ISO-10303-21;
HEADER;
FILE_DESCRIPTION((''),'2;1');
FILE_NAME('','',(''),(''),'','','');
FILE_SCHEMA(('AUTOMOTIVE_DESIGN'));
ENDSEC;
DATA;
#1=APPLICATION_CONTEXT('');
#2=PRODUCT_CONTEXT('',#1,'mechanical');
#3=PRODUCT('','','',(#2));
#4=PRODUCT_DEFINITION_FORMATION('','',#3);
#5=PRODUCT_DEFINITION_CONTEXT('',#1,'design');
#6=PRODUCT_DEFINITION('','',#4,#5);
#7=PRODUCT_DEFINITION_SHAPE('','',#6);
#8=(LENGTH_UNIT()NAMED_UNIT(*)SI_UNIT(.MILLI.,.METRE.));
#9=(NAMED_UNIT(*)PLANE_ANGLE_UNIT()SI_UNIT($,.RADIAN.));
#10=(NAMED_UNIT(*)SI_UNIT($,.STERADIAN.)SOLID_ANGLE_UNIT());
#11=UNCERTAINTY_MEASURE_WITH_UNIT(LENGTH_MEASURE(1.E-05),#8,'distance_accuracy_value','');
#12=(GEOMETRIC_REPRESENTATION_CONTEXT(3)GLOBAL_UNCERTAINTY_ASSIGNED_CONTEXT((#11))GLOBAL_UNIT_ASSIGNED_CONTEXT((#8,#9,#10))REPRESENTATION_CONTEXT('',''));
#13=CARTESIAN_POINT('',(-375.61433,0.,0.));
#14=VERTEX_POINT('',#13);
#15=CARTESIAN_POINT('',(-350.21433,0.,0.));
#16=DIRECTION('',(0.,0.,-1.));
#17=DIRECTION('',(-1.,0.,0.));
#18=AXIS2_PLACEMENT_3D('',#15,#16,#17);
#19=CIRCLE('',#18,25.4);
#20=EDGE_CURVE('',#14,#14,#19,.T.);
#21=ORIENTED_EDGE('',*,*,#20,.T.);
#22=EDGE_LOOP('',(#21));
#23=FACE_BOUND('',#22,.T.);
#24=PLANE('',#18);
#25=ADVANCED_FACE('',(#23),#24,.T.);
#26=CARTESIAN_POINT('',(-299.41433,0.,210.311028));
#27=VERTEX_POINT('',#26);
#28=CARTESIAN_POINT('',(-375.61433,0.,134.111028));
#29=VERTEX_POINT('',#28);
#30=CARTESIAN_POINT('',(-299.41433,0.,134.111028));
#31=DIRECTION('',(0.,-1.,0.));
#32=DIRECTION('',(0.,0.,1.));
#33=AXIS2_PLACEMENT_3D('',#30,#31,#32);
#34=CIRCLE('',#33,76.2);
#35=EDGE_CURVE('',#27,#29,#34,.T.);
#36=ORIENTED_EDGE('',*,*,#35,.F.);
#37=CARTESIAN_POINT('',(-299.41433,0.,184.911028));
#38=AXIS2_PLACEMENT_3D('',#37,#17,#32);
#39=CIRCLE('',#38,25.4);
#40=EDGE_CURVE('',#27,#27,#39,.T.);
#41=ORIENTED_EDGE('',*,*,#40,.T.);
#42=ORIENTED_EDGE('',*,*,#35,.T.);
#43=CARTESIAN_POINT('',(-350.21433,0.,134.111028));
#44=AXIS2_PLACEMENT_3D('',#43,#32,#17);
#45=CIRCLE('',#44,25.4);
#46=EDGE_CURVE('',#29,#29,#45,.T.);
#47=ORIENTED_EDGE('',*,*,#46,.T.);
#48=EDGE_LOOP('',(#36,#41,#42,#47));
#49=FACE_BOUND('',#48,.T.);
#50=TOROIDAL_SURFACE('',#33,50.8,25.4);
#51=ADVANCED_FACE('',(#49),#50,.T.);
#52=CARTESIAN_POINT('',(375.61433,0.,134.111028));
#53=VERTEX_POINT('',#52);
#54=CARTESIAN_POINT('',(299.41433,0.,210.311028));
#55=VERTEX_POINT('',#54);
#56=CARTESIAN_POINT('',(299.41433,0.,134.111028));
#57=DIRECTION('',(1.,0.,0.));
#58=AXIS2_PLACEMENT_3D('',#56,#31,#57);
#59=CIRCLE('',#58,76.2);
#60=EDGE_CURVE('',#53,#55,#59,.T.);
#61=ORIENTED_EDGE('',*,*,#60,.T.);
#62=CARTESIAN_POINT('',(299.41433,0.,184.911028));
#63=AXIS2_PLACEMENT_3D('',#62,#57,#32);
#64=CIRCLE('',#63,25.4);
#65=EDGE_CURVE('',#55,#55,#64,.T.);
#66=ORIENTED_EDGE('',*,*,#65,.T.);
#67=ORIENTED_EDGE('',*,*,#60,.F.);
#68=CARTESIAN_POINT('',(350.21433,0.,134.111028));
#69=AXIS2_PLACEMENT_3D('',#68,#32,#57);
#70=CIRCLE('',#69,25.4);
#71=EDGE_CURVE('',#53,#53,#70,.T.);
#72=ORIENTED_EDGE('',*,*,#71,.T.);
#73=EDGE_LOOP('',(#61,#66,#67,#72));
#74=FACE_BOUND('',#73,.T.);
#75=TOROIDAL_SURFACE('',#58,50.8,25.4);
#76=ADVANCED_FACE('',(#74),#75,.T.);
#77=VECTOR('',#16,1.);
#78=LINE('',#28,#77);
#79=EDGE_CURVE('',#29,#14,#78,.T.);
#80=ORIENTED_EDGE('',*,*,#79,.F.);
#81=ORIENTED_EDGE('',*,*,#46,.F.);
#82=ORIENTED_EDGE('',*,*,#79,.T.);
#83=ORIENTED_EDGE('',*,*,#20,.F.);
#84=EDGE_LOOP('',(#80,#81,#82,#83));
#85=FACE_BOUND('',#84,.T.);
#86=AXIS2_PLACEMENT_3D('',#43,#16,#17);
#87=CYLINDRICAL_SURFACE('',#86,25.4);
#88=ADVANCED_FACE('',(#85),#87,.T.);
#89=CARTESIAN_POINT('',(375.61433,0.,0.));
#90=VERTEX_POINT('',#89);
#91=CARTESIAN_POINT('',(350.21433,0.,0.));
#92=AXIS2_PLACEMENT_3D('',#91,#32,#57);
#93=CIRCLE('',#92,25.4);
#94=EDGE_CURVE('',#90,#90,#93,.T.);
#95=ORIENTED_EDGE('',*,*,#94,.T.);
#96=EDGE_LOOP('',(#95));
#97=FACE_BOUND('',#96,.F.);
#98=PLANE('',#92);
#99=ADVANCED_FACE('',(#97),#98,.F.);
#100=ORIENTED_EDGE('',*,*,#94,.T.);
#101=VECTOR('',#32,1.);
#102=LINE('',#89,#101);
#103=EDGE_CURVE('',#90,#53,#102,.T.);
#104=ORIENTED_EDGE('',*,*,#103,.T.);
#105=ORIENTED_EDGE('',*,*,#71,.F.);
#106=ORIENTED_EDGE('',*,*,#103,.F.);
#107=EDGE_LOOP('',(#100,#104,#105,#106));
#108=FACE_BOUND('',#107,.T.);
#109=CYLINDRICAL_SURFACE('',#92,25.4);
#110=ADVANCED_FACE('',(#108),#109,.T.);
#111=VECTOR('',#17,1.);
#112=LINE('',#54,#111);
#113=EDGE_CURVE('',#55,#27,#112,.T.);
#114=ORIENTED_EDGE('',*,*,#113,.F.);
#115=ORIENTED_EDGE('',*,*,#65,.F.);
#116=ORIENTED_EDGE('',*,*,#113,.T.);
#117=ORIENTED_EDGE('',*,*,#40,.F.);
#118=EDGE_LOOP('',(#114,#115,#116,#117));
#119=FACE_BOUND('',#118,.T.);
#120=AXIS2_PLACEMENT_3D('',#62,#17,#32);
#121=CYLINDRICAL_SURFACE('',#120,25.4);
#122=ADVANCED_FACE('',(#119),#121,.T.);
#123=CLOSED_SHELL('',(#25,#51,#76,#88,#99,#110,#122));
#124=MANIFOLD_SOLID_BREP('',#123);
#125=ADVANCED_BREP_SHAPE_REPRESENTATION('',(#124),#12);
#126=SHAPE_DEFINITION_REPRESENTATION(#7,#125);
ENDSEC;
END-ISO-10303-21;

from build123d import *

# Parameters (mm, degrees)
F1_R = 25.4


with BuildPart() as f2:
    # F2: sweep along a path in F0
    with BuildLine(Plane.XZ) as f2_path:
        Line((350.21433, 0), (350.21433, 134.1110275507))
        ThreePointArc((350.21433, 134.1110275507), (335.3353544843, 170.032052035), (299.41433, 184.9110275507))
        Line((299.41433, 184.9110275507), (-299.41433, 184.9110275507))
        ThreePointArc((-299.41433, 184.9110275507), (-335.3353544843, 170.032052035), (-350.21433, 134.1110275507))
        Line((-350.21433, 134.1110275507), (-350.21433, 0))
    # F1 (on Top) → F2 (sweep)
    with BuildSketch(Plane.XY):
        with Locations((350.21433, 0)):
            Circle(F1_R)
    sweep(path=f2_path.line)


solid = f2.part
